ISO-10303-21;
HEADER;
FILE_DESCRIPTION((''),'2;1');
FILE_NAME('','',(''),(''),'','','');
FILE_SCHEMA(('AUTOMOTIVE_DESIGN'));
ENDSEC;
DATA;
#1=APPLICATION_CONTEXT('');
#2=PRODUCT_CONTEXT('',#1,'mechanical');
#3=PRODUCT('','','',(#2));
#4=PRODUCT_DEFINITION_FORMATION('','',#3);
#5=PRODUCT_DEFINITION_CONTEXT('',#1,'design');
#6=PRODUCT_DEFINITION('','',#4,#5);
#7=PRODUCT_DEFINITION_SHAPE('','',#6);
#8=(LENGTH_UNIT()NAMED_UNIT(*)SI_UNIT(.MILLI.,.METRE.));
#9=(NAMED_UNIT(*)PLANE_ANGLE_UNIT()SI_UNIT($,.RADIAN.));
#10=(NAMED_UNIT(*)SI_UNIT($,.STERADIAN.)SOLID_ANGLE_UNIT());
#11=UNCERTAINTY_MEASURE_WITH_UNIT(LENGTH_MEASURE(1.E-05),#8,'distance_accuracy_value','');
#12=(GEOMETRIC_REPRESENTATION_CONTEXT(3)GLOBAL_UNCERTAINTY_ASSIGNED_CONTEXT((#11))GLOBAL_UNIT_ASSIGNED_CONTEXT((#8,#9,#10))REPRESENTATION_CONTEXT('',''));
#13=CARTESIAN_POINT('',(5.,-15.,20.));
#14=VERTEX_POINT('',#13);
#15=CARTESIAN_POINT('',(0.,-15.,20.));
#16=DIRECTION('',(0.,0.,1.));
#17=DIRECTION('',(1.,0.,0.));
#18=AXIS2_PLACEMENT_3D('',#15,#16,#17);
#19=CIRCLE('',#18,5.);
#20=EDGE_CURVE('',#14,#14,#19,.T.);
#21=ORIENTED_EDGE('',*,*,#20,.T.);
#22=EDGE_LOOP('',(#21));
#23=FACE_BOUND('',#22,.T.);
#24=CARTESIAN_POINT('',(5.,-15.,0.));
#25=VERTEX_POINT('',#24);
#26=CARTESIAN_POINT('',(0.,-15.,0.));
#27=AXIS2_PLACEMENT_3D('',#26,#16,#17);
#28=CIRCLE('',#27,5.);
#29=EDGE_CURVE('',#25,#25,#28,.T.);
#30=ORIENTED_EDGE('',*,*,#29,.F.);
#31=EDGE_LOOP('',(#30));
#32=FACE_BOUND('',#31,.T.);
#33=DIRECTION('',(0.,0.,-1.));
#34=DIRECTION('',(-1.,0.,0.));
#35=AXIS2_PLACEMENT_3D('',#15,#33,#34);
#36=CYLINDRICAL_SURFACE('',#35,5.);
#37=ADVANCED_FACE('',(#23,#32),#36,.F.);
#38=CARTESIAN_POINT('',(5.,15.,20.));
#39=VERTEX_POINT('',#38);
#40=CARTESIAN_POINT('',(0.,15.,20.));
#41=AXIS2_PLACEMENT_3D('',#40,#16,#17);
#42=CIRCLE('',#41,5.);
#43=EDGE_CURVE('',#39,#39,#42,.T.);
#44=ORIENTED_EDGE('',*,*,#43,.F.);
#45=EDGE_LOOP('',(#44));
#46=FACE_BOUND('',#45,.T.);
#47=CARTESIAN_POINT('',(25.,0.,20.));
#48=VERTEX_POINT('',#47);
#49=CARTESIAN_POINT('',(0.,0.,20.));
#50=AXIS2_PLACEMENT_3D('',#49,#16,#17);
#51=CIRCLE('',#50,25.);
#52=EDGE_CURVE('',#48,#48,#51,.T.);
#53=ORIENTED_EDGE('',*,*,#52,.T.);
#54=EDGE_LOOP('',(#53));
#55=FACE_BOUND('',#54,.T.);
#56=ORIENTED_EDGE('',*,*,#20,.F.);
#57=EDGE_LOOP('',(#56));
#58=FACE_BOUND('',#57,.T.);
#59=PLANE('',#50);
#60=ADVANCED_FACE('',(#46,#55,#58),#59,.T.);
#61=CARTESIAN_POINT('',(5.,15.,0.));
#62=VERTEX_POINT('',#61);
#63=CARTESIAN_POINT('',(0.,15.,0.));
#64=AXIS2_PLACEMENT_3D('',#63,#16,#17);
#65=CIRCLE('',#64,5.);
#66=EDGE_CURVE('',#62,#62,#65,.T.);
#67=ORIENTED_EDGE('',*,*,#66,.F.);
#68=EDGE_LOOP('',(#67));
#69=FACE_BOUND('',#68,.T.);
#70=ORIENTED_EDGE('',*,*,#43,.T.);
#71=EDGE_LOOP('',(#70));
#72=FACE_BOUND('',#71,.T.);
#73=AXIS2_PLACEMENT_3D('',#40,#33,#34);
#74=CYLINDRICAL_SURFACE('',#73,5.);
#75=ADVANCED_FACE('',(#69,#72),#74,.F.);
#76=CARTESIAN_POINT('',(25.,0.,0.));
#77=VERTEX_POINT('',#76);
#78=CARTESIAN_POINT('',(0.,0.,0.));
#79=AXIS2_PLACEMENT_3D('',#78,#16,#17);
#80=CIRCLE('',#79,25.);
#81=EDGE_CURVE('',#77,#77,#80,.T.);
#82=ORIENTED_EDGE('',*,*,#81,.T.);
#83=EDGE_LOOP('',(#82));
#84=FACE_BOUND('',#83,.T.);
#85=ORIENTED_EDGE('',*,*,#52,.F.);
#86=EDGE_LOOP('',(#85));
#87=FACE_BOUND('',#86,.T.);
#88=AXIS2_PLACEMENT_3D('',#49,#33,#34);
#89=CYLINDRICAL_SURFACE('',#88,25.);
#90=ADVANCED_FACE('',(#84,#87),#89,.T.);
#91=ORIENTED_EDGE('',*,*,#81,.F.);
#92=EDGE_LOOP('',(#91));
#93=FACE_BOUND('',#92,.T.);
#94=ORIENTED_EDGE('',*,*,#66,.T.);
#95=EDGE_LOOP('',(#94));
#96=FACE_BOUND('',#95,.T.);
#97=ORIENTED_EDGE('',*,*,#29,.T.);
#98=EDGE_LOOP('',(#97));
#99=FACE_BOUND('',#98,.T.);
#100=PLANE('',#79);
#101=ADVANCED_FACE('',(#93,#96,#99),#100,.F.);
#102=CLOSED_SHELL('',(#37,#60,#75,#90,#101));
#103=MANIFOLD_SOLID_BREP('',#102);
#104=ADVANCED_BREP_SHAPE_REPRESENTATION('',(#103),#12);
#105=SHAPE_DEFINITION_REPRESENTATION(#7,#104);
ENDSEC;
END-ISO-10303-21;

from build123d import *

# Parameters (mm, degrees)
SKETCH2_R           = 25
SKETCH2_R_2         = 5
BOSS_EXTRUDE1_DEPTH = 20


with BuildPart() as part:
    # Sketch2 → Boss-Extrude1 (new body)
    with BuildSketch(Plane.XY):
        Circle(SKETCH2_R)
        with Locations((0, 15)):
            Circle(SKETCH2_R_2, mode=Mode.SUBTRACT)
        with Locations((0, -15)):
            Circle(SKETCH2_R_2, mode=Mode.SUBTRACT)
    extrude(amount=BOSS_EXTRUDE1_DEPTH)


solid = part.part
